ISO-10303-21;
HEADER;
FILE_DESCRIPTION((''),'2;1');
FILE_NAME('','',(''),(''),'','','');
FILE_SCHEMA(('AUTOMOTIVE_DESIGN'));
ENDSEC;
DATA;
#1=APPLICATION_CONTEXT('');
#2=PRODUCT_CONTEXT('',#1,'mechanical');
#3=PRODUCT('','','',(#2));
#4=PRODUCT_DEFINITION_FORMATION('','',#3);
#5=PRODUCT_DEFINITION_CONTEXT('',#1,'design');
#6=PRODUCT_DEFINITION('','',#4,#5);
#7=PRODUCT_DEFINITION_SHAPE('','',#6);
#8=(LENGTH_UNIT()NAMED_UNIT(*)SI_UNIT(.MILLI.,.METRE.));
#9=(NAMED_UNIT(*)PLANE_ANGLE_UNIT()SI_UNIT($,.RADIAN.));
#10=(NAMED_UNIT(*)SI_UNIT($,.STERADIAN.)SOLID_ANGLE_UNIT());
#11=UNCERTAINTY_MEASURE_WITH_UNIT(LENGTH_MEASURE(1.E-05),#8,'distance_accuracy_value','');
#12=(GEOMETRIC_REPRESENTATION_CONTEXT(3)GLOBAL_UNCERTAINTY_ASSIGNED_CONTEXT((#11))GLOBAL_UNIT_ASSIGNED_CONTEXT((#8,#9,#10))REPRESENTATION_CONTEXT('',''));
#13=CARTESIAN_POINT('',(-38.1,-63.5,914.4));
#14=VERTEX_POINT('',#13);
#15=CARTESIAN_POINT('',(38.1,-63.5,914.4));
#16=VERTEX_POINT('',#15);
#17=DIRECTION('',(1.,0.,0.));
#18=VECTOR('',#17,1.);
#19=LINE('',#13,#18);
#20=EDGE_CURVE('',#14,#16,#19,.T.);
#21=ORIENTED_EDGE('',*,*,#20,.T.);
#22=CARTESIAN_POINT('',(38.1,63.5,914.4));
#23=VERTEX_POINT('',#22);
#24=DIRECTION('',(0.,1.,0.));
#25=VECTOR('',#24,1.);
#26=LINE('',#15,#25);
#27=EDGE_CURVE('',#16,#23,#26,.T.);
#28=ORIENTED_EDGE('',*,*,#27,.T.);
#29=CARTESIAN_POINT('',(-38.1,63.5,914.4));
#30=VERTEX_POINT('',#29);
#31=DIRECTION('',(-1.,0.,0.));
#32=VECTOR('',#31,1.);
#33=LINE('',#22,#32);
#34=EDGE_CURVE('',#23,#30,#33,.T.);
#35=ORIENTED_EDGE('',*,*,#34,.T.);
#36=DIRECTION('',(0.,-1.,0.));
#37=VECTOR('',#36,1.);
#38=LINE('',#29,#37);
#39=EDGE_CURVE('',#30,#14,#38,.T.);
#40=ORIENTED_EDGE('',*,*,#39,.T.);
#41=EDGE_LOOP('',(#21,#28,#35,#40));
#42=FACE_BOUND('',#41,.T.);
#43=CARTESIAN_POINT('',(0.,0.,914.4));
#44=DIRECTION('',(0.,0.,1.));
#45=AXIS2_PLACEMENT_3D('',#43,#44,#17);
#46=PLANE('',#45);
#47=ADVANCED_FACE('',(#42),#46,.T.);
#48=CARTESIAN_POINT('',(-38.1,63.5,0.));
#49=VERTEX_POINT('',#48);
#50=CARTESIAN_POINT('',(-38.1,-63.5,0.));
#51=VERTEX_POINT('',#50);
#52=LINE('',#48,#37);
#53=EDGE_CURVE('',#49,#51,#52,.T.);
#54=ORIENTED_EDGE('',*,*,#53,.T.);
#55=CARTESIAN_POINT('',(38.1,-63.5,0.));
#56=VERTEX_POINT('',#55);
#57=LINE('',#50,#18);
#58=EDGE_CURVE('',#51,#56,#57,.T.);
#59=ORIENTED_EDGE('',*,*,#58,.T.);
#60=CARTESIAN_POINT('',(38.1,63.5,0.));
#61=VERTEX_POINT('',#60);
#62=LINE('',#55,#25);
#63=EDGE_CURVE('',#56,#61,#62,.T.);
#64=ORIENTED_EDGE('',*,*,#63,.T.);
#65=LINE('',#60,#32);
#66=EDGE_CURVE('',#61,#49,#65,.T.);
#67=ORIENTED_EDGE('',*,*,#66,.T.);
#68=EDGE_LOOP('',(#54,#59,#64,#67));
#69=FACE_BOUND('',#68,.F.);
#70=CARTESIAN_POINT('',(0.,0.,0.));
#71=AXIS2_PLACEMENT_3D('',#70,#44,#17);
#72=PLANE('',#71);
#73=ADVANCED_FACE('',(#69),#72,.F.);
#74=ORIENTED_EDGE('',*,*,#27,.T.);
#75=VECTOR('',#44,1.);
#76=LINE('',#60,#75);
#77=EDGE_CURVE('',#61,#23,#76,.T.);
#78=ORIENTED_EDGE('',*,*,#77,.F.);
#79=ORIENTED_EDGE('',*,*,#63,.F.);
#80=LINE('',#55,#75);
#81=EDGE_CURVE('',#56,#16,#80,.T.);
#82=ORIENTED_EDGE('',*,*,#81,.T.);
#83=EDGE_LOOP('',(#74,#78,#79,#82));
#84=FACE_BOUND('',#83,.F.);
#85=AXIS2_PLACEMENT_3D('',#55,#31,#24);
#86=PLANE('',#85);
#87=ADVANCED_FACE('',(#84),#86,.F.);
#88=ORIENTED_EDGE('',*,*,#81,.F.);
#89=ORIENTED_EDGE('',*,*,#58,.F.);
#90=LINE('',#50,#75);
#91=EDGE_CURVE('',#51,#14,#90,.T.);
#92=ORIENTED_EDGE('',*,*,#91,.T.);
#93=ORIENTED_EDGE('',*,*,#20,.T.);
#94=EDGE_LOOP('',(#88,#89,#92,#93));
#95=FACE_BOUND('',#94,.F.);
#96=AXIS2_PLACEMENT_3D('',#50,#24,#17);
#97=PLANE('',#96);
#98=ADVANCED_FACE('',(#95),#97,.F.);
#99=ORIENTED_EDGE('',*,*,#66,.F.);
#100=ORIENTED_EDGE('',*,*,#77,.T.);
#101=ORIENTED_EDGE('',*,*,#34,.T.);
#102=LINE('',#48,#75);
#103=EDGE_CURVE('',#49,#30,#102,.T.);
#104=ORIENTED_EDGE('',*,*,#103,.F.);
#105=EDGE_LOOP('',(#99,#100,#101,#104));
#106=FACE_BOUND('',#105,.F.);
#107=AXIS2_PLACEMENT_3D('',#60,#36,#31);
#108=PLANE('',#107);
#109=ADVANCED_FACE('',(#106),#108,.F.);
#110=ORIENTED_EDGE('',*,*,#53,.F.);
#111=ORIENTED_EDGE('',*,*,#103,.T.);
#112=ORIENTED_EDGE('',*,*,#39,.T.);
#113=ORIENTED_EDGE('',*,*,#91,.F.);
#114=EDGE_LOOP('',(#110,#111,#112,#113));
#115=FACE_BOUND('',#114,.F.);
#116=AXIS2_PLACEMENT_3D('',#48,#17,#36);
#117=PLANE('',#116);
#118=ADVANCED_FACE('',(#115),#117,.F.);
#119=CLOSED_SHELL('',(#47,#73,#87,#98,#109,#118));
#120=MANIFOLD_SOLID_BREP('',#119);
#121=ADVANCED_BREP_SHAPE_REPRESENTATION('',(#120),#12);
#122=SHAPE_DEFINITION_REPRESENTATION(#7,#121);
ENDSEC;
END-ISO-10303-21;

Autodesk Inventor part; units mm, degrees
ref_plane "YZ Plane" through (0, 0, 0) normal (1, 0, 0) x (0, 1, 0)
ref_plane "XZ Plane" through (0, 0, 0) normal (0, 1, 0) x (-1, 0, 0)
ref_plane "XY Plane" through (0, 0, 0) normal (0, 0, 1) x (1, 0, 0)
sketch "Sketch1" plane through (0, 0, 0) normal (0, 0, 1) x (1, 0, 0)
  line L0 (-38.1, -63.5) -> (38.1, -63.5)
  line L1 (38.1, -63.5) -> (38.1, 63.5)
  line L2 (38.1, 63.5) -> (-38.1, 63.5)
  line L3 (-38.1, 63.5) -> (-38.1, -63.5)
  line L4 (-38.1, -63.5) -> (38.1, 63.5) construction
  line L5 (38.1, -63.5) -> (-38.1, 63.5) construction
  point P0 (0, 0)
  dimension "d0" = 76.2
  dimension "d1" = 127
extrude "Extrusion1" add sketch "Sketch1" along normal blind 914.4
properties part number "bar"
